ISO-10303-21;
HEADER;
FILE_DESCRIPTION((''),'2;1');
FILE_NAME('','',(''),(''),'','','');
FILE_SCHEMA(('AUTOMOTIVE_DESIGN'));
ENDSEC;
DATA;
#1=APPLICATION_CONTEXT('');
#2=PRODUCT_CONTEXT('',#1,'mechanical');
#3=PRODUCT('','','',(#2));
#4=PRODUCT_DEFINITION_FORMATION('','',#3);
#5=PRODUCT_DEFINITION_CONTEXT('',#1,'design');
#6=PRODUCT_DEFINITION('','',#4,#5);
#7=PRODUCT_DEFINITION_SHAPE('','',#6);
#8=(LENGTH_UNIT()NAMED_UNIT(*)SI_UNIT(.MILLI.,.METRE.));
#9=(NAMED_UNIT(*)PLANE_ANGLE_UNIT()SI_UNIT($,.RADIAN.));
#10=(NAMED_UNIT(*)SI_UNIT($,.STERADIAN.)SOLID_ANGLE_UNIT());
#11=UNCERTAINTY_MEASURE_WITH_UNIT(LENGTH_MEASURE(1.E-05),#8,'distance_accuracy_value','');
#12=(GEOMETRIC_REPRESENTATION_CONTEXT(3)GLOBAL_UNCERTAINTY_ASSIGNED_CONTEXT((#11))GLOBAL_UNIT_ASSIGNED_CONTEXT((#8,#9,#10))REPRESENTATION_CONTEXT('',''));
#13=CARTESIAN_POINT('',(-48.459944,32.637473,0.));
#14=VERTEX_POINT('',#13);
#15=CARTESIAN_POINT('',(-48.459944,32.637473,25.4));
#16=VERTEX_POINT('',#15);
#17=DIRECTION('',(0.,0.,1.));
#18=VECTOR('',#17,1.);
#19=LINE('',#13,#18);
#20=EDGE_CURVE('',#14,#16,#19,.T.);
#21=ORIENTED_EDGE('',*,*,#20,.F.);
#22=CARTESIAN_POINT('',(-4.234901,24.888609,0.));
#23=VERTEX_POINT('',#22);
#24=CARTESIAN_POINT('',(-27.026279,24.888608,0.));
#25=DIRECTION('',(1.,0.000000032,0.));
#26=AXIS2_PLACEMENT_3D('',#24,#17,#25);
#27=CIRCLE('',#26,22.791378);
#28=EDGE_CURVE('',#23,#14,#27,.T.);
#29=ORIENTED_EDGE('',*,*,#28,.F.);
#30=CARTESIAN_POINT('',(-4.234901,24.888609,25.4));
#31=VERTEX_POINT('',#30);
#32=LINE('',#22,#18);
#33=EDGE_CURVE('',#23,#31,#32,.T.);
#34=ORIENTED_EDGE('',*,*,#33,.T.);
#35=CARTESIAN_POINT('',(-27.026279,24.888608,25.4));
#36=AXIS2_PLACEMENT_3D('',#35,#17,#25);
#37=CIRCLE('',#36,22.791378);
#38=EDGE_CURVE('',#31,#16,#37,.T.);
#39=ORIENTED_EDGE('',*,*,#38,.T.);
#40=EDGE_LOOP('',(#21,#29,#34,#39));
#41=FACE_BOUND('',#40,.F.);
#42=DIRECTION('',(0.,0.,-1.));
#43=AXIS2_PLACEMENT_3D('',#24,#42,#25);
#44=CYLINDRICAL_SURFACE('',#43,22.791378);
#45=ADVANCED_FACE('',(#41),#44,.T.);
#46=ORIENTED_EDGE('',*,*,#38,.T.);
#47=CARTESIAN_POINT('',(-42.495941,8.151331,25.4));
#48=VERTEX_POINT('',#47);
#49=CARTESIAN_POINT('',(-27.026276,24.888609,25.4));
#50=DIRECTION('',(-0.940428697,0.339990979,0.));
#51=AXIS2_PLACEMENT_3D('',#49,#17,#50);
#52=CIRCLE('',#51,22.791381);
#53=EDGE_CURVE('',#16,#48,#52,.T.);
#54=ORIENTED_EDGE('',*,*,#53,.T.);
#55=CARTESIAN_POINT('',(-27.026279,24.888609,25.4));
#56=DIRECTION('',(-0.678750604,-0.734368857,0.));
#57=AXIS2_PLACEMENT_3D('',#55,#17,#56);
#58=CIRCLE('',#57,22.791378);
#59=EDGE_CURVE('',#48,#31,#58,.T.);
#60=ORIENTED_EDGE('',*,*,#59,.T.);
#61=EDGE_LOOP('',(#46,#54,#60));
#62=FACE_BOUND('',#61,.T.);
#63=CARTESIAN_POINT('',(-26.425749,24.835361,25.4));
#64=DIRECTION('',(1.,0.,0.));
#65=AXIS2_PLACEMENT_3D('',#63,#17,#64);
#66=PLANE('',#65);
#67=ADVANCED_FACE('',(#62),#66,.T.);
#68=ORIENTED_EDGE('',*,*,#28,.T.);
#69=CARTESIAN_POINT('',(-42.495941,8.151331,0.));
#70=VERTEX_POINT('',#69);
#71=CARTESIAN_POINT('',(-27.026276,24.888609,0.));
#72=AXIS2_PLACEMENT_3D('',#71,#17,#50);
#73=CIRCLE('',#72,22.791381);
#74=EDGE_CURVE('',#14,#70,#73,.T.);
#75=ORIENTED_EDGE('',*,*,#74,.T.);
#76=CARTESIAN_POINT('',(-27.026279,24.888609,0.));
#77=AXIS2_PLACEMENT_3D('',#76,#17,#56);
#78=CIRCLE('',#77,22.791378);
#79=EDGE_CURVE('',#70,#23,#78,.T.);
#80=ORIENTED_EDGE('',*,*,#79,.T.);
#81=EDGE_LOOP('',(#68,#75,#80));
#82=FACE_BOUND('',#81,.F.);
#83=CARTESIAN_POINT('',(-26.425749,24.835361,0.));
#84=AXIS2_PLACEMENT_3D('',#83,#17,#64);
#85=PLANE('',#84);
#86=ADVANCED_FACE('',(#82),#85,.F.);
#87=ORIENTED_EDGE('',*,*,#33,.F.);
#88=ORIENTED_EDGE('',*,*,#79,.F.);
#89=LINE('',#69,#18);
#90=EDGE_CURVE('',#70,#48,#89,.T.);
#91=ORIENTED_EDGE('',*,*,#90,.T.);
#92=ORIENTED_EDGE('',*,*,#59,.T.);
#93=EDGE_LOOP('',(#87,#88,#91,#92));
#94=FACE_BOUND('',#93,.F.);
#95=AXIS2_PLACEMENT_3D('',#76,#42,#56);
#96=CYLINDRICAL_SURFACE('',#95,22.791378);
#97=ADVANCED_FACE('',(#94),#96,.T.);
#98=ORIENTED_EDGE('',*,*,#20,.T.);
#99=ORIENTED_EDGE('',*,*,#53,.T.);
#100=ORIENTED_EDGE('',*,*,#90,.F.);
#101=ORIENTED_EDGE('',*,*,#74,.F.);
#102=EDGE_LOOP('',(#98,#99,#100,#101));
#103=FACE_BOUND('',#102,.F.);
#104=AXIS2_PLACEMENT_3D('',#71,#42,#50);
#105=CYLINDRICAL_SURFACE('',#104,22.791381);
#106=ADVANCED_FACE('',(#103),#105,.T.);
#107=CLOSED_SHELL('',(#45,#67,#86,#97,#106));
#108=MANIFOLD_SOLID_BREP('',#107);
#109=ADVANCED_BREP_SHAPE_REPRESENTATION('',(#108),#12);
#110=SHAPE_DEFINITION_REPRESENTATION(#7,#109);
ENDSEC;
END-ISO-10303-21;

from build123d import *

# Parameters (mm, degrees)
F1_DEPTH = 25.4


with BuildPart() as f1:
    # F0 (on Top) → F1 (new body)
    with BuildSketch(Plane.XY):
        with BuildLine():
            ThreePointArc((-42.495941, 8.151331), (-17.891948, 4.007735), (-4.234901, 24.888609))
            ThreePointArc((-4.234901, 24.888609), (-23.092823, 47.337992), (-48.459944, 32.637473))
            ThreePointArc((-48.459944, 32.637473), (-28.8893, 24.434839), (-42.495941, 8.151331))
        make_face()
        with BuildLine():
            ThreePointArc((-42.495941, 8.151331), (-28.8893, 24.434839), (-48.459944, 32.637473))
            ThreePointArc((-48.459944, 32.637473), (-49.170277, 19.495073), (-42.495941, 8.151331))
        make_face()
    extrude(amount=F1_DEPTH)


solid = f1.part
